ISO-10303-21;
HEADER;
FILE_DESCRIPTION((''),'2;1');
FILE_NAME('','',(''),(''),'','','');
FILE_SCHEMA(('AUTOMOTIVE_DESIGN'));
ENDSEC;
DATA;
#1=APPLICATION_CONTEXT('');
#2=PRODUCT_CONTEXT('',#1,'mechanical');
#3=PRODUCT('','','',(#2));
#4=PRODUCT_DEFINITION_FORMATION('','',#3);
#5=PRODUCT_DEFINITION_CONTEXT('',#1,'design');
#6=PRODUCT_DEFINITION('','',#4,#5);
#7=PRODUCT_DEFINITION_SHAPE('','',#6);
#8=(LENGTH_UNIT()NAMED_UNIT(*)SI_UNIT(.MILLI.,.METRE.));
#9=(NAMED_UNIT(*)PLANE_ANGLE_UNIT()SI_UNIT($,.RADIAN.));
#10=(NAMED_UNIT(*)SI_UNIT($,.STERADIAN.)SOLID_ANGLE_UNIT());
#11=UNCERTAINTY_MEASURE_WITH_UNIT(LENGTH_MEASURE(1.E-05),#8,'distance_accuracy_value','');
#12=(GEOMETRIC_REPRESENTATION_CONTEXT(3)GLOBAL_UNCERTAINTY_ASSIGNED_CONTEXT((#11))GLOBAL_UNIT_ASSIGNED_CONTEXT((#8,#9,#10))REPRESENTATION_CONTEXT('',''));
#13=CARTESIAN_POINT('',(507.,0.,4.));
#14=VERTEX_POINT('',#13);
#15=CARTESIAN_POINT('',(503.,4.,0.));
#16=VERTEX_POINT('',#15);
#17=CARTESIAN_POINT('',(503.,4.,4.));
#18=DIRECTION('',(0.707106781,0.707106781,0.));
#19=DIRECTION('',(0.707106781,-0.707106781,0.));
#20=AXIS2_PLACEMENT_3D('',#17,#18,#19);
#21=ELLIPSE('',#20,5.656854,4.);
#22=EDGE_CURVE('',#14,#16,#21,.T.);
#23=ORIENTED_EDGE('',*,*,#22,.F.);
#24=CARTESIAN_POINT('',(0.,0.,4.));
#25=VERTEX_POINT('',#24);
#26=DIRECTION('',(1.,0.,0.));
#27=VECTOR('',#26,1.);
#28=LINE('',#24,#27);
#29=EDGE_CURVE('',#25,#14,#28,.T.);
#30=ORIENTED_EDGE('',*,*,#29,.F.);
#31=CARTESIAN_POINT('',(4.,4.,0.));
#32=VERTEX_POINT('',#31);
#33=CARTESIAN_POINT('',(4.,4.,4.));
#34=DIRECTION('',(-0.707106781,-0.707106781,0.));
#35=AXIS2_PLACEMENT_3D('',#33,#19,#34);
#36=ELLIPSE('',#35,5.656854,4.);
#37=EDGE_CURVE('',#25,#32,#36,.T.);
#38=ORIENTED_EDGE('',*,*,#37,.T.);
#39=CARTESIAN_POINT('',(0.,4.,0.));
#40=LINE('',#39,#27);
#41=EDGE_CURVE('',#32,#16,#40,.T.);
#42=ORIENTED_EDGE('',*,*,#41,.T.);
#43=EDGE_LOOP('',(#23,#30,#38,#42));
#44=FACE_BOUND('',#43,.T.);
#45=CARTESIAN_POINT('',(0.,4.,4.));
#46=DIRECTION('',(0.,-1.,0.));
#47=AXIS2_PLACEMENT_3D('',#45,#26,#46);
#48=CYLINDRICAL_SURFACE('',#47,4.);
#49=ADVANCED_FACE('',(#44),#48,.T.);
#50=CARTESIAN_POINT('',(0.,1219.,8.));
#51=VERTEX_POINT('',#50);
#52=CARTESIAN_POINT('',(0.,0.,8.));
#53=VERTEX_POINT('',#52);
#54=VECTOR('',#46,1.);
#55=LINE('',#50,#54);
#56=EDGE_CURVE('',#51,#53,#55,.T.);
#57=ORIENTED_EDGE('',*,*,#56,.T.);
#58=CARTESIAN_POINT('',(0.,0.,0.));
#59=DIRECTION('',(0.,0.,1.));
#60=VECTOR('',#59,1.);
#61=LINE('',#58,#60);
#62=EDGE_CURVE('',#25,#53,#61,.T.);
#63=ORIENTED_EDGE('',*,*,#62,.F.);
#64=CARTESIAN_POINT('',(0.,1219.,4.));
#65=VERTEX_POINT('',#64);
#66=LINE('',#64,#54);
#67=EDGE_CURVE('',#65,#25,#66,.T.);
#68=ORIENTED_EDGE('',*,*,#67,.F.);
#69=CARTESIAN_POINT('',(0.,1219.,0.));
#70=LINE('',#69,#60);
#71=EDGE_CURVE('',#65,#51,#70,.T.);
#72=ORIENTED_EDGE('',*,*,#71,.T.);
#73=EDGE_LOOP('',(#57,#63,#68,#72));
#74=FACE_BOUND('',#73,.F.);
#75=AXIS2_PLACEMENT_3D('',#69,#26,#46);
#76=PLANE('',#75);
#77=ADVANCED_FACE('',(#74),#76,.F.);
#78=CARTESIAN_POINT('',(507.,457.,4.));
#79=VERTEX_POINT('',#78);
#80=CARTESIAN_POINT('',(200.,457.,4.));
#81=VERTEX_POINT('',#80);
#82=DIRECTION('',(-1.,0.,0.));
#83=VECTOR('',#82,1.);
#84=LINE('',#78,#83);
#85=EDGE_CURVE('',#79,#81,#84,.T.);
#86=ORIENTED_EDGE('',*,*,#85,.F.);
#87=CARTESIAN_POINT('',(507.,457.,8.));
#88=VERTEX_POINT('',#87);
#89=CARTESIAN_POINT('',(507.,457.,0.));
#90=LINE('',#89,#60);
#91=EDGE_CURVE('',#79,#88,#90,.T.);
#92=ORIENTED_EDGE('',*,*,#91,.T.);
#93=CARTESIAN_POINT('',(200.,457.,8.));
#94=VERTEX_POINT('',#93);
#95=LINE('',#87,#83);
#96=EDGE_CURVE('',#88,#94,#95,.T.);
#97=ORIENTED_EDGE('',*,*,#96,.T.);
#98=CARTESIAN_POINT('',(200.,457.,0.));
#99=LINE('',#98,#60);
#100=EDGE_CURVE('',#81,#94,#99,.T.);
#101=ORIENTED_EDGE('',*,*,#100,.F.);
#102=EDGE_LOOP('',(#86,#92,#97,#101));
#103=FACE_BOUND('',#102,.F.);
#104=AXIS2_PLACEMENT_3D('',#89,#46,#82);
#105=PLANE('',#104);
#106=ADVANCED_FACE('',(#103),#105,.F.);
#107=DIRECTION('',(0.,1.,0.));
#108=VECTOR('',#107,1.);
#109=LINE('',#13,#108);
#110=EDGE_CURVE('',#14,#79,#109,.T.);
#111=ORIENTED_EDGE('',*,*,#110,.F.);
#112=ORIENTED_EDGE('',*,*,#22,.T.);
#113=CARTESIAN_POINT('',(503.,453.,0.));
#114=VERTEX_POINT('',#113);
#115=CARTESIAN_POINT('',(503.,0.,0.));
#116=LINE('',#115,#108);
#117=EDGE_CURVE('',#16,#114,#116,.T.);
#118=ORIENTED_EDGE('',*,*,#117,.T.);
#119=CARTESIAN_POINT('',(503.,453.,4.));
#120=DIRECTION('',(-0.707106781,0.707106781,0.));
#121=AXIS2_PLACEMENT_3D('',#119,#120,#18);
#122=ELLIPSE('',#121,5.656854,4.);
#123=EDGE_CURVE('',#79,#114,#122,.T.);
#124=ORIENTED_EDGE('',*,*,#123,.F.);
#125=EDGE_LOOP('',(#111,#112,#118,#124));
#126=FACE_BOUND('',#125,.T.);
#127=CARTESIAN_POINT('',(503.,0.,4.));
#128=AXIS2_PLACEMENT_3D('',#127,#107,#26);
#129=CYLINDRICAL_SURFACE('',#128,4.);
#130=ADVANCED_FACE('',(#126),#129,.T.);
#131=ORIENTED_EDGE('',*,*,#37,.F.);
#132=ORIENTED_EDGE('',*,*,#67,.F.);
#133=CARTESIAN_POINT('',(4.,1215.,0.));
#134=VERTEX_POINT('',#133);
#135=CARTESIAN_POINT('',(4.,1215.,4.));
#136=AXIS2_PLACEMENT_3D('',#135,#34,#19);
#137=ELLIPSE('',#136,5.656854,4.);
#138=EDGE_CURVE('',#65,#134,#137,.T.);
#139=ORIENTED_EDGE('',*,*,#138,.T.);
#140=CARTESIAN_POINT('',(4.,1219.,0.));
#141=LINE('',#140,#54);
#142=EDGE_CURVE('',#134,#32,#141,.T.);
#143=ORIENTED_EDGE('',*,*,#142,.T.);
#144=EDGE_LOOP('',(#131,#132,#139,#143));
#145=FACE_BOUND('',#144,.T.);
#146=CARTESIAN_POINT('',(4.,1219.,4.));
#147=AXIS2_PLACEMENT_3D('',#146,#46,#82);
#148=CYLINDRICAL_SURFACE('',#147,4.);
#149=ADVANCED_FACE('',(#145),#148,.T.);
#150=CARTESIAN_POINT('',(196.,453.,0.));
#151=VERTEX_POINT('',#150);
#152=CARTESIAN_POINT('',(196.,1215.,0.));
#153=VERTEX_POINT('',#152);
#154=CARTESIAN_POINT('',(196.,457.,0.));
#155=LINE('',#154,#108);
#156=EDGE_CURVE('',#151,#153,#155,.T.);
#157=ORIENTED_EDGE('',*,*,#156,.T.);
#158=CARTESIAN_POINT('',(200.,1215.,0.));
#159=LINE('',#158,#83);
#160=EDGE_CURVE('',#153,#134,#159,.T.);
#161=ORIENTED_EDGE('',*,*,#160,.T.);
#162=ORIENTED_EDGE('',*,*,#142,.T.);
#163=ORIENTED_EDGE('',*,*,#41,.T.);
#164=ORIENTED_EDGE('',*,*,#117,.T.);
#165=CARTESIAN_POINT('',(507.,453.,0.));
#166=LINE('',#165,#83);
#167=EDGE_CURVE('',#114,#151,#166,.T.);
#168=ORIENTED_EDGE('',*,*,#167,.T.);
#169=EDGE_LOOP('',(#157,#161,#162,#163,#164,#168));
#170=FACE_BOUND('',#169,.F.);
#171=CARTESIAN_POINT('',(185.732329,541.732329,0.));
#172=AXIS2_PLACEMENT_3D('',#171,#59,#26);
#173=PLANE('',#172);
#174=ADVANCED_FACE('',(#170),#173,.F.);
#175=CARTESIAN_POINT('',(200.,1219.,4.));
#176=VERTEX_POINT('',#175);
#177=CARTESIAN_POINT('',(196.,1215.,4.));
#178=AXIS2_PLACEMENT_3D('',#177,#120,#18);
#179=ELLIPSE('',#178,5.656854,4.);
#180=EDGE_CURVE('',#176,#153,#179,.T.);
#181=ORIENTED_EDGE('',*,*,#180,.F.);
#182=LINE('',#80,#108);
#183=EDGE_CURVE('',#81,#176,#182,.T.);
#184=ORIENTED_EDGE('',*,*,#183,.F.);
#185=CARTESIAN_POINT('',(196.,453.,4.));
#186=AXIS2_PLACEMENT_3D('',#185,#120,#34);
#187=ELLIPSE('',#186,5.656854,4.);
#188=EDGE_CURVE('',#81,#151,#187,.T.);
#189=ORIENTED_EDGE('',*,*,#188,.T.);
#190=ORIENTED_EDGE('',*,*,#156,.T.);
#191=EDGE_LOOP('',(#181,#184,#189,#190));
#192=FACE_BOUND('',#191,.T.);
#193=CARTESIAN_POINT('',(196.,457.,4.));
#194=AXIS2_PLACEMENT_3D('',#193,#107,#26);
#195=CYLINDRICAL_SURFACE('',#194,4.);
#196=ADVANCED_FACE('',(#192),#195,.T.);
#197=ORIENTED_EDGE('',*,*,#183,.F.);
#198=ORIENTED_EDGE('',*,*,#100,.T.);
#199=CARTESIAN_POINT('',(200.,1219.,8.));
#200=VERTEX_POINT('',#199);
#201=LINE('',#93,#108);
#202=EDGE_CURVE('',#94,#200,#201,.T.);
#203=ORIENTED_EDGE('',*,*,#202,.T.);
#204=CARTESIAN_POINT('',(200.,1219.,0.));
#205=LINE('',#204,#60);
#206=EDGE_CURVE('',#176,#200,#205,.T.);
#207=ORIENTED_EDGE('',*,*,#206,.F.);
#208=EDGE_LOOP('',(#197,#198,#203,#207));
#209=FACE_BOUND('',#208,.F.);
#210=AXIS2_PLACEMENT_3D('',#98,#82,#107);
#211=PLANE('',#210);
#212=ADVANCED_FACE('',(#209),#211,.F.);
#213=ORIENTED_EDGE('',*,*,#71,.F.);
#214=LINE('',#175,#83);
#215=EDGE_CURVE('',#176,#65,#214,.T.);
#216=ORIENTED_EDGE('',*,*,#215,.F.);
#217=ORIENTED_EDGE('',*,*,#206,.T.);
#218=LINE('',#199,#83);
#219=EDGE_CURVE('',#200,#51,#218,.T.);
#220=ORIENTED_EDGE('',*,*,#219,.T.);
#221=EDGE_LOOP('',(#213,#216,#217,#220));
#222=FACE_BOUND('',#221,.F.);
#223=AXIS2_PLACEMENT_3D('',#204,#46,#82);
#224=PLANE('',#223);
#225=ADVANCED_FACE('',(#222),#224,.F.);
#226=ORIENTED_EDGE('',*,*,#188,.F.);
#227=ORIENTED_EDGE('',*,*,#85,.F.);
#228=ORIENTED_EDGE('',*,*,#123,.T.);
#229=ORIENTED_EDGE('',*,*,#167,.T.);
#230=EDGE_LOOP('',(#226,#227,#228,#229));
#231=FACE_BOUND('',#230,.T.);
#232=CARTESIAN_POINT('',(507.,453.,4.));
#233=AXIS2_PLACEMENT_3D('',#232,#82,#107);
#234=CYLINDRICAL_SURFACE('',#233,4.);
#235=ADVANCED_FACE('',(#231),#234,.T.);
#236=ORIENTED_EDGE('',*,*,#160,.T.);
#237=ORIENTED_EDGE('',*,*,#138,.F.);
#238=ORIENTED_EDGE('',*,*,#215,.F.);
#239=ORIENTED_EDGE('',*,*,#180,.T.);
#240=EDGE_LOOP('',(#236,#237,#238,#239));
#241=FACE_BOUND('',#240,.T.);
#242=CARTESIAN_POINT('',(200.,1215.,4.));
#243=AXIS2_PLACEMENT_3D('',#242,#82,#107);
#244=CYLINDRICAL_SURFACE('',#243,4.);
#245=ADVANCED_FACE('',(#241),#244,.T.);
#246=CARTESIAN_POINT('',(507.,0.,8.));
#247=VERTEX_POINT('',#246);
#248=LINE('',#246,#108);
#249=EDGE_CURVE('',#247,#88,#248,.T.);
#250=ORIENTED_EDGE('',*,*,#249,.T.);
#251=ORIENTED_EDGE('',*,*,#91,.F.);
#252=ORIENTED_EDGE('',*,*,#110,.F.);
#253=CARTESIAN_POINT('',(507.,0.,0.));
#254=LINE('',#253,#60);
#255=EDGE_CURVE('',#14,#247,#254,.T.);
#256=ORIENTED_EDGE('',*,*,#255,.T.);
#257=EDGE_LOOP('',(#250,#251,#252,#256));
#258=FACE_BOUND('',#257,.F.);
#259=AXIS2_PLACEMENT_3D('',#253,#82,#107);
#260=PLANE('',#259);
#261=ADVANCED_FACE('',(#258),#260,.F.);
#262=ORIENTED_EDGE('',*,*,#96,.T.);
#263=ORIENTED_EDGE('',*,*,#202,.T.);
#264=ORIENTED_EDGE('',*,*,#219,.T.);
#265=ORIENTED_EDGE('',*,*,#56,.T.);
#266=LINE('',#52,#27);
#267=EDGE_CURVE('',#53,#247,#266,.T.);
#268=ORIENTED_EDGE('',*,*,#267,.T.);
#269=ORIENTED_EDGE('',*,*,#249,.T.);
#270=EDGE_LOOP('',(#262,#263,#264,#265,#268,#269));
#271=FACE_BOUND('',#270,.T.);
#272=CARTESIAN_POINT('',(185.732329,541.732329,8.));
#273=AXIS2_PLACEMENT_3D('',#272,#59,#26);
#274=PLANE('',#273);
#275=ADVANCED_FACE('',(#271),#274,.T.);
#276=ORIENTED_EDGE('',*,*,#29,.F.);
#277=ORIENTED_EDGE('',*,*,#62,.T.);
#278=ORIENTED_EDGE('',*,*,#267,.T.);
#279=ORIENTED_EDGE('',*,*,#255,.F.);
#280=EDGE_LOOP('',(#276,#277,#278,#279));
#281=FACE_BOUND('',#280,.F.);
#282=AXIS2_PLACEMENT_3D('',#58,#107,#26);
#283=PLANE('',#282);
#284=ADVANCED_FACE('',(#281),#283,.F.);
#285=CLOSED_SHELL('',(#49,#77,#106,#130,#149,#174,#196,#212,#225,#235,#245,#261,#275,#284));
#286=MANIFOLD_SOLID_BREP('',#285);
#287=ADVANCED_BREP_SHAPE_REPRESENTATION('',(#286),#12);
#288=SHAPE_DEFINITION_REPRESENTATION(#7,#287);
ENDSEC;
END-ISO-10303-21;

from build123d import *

# Parameters (mm, degrees)
F1_DEPTH = 8
F2_R     = 4


with BuildPart() as f1:
    # F0 (on Top) → F1 (new body)
    with BuildSketch(Plane.XY):
        Polygon((0, 1219), (0, 0), (507, 0), (507, 457), (200, 457), (200, 1219), align=None)
    extrude(amount=F1_DEPTH)

    # F2
    f2_edges = [f1.edges().sort_by_distance(p)[0] for p in [
        (0, 609.5, 0),
        (253.5, 0, 0),
        (507, 228.5, 0),
        (353.5, 457, 0),
        (200, 838, 0),
        (100, 1219, 0),
    ]]
    fillet(f2_edges, radius=F2_R)


solid = f1.part
